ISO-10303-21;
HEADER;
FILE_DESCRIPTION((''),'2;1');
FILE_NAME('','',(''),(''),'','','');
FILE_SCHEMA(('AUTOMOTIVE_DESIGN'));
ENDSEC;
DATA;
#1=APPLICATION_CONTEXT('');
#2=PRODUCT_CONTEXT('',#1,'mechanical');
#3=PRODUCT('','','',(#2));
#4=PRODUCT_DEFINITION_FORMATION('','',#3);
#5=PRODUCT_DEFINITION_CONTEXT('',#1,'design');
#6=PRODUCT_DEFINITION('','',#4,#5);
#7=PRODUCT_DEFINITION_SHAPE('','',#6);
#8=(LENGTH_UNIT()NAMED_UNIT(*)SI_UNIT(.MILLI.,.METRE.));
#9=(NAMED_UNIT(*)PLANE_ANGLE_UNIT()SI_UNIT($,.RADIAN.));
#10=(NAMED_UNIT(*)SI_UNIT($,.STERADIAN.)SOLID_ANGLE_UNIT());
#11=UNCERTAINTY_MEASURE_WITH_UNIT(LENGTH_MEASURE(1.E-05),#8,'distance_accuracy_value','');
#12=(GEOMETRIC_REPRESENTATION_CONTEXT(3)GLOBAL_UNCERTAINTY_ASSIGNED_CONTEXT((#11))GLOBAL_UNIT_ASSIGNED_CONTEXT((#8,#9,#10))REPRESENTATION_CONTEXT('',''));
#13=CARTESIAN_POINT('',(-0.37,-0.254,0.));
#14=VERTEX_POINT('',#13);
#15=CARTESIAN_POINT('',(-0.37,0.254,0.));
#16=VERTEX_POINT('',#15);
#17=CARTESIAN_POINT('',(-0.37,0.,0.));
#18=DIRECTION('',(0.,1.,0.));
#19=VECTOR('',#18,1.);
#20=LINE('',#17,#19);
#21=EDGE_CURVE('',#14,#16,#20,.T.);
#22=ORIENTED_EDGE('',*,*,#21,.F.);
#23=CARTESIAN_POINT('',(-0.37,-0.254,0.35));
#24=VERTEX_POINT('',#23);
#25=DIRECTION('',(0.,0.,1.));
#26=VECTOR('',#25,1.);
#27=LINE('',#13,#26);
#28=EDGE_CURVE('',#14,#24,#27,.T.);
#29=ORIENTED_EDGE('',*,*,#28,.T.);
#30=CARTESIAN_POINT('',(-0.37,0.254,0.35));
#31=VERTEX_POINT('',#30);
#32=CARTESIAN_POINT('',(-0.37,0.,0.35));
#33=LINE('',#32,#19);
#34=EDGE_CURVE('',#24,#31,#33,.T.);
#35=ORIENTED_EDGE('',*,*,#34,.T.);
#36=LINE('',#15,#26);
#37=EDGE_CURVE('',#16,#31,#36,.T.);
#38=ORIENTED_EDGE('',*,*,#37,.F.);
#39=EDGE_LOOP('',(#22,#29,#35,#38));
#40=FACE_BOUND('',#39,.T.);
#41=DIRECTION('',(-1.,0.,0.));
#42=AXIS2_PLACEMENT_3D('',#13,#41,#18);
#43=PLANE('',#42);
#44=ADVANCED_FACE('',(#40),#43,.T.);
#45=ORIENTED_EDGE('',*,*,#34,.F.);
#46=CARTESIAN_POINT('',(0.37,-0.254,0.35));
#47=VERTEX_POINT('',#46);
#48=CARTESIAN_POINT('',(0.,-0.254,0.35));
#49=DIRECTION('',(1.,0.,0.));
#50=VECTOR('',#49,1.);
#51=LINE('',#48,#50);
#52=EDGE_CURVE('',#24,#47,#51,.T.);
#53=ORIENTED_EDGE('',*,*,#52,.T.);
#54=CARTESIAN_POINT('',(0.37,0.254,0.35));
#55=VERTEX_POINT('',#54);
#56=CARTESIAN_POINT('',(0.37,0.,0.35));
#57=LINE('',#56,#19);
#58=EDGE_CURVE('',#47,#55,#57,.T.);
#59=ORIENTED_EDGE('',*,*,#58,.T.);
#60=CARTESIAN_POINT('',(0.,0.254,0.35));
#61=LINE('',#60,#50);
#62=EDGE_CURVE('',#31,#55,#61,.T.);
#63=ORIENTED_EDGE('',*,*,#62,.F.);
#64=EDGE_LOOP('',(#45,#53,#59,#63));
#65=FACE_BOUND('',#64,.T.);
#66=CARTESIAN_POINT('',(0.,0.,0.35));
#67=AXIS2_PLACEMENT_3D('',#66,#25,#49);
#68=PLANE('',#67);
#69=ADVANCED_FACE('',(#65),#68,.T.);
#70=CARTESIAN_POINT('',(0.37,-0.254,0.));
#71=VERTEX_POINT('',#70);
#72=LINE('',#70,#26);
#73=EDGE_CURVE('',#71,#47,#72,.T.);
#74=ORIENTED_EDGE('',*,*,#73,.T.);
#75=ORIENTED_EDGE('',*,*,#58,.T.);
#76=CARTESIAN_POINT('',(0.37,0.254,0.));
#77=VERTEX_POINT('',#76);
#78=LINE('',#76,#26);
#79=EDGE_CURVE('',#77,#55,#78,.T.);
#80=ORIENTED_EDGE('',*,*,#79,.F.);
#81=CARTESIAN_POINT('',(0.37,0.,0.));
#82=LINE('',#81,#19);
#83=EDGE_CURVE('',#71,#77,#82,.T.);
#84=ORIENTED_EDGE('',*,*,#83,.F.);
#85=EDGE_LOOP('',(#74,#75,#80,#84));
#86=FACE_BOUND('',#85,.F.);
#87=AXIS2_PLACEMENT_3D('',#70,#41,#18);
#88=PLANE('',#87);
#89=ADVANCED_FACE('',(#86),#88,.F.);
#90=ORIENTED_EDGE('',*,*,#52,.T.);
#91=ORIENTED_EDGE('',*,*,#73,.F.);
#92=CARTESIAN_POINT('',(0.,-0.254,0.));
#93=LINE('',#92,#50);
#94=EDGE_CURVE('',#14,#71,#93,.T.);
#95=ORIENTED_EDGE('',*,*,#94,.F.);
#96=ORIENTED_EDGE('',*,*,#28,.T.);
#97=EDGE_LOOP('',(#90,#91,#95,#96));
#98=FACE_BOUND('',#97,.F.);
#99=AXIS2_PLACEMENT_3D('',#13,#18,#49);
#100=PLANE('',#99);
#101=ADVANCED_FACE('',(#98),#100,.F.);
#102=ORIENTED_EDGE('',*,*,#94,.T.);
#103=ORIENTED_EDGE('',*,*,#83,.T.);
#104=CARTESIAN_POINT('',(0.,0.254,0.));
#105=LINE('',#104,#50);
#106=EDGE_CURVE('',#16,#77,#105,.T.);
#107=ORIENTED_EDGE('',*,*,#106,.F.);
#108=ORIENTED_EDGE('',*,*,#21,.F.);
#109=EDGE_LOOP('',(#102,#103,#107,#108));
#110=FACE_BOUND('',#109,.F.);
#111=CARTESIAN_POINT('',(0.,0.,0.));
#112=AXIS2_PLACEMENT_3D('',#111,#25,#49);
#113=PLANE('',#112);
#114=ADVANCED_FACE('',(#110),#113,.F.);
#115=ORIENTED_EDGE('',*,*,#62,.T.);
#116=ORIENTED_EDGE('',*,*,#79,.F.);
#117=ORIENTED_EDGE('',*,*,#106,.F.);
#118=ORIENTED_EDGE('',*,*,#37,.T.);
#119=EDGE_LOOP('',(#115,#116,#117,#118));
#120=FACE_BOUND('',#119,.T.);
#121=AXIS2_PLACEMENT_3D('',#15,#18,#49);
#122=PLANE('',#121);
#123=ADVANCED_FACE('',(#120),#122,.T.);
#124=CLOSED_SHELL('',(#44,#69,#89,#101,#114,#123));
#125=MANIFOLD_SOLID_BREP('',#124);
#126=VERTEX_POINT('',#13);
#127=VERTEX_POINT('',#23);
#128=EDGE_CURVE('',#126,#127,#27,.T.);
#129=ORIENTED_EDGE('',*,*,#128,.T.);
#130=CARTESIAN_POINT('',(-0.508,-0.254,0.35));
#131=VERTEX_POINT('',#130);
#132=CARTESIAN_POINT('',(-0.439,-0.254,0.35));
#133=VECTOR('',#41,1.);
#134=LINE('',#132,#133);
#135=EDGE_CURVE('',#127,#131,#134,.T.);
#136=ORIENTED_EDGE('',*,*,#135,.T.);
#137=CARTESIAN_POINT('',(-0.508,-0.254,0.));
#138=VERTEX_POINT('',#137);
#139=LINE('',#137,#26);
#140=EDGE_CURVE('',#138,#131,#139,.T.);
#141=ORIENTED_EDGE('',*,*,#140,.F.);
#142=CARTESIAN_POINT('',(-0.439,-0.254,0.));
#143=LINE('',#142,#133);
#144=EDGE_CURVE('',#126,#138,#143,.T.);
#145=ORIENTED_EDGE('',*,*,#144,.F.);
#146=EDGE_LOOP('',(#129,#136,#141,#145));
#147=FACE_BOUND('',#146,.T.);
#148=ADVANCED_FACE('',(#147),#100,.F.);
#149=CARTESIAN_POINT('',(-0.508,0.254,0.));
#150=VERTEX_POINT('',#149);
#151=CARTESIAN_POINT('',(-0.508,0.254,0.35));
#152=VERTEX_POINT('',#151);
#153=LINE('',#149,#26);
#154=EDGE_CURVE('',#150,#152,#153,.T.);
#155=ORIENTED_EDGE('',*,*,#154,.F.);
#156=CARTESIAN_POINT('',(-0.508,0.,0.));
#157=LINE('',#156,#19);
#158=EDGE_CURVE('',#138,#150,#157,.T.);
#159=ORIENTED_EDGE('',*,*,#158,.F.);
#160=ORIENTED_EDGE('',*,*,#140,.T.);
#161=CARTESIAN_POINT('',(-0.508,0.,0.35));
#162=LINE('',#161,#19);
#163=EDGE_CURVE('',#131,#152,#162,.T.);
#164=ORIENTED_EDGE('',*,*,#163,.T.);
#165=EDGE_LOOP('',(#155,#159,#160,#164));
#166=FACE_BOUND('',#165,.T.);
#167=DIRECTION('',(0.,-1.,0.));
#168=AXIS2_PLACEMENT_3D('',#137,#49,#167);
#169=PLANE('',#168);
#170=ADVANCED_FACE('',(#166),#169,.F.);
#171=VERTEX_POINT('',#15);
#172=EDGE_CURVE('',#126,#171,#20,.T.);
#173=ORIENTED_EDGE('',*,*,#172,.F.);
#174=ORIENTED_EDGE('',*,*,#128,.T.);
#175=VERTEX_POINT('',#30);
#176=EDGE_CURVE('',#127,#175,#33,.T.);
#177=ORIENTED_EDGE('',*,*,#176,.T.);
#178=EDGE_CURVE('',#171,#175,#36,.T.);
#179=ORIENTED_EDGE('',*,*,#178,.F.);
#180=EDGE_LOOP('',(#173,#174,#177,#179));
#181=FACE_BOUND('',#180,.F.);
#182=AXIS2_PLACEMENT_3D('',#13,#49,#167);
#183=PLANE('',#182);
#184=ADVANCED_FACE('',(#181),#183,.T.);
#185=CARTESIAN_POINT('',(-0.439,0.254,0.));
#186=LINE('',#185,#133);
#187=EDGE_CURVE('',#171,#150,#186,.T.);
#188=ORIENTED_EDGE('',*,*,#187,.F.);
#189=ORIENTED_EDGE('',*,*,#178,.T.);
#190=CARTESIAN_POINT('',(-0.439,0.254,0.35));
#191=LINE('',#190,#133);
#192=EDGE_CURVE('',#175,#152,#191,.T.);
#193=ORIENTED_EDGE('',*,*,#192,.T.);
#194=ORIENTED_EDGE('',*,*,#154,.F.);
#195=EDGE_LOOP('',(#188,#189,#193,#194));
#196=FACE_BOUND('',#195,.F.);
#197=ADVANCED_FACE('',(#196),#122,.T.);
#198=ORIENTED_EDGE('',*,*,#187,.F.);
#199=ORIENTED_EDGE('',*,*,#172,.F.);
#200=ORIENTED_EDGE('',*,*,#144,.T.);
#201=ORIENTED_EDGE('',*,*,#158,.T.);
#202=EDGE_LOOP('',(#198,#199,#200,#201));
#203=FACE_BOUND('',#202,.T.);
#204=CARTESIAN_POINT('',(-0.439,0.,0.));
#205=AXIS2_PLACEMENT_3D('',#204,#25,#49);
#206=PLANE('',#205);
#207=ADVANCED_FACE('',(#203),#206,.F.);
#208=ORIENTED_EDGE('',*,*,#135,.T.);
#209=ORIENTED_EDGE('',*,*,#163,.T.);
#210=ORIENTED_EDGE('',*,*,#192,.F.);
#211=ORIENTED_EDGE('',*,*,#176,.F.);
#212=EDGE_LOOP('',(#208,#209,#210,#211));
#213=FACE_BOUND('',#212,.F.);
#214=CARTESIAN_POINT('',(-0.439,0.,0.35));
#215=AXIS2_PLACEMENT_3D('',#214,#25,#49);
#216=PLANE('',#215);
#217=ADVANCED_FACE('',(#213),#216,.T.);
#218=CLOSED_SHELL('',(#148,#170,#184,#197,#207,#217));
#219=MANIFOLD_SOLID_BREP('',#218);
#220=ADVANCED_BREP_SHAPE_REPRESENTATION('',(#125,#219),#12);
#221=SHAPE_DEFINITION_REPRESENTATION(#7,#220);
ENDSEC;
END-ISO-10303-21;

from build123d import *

# Parameters (mm, degrees)
SKETCH_W     = 0.74
SKETCH_H     = 0.508
PAD_DEPTH    = 0.35
SKETCH001_W  = 0.138
SKETCH001_H  = 0.508
PAD001_DEPTH = 0.35


with BuildPart() as body:
    # Sketch → Pad (new body)
    with BuildSketch(Plane.XY):
        Rectangle(SKETCH_W, SKETCH_H)
    extrude(amount=PAD_DEPTH)


with BuildPart() as body001:
    # Sketch001 → Pad001 (new body)
    with BuildSketch(Plane.XY):
        with Locations((0.439, 0)):
            Rectangle(SKETCH001_W, SKETCH001_H)
    extrude(amount=PAD001_DEPTH)


with BuildPart() as part_mirroring:
    # Part__Mirroring: instance of Body001
    add(body001.part.mirror(Plane(origin=(0, 0, 0), x_dir=(0, -1, 0), z_dir=(1, 0, 0))))


solid = Compound([body.part, part_mirroring.part])
